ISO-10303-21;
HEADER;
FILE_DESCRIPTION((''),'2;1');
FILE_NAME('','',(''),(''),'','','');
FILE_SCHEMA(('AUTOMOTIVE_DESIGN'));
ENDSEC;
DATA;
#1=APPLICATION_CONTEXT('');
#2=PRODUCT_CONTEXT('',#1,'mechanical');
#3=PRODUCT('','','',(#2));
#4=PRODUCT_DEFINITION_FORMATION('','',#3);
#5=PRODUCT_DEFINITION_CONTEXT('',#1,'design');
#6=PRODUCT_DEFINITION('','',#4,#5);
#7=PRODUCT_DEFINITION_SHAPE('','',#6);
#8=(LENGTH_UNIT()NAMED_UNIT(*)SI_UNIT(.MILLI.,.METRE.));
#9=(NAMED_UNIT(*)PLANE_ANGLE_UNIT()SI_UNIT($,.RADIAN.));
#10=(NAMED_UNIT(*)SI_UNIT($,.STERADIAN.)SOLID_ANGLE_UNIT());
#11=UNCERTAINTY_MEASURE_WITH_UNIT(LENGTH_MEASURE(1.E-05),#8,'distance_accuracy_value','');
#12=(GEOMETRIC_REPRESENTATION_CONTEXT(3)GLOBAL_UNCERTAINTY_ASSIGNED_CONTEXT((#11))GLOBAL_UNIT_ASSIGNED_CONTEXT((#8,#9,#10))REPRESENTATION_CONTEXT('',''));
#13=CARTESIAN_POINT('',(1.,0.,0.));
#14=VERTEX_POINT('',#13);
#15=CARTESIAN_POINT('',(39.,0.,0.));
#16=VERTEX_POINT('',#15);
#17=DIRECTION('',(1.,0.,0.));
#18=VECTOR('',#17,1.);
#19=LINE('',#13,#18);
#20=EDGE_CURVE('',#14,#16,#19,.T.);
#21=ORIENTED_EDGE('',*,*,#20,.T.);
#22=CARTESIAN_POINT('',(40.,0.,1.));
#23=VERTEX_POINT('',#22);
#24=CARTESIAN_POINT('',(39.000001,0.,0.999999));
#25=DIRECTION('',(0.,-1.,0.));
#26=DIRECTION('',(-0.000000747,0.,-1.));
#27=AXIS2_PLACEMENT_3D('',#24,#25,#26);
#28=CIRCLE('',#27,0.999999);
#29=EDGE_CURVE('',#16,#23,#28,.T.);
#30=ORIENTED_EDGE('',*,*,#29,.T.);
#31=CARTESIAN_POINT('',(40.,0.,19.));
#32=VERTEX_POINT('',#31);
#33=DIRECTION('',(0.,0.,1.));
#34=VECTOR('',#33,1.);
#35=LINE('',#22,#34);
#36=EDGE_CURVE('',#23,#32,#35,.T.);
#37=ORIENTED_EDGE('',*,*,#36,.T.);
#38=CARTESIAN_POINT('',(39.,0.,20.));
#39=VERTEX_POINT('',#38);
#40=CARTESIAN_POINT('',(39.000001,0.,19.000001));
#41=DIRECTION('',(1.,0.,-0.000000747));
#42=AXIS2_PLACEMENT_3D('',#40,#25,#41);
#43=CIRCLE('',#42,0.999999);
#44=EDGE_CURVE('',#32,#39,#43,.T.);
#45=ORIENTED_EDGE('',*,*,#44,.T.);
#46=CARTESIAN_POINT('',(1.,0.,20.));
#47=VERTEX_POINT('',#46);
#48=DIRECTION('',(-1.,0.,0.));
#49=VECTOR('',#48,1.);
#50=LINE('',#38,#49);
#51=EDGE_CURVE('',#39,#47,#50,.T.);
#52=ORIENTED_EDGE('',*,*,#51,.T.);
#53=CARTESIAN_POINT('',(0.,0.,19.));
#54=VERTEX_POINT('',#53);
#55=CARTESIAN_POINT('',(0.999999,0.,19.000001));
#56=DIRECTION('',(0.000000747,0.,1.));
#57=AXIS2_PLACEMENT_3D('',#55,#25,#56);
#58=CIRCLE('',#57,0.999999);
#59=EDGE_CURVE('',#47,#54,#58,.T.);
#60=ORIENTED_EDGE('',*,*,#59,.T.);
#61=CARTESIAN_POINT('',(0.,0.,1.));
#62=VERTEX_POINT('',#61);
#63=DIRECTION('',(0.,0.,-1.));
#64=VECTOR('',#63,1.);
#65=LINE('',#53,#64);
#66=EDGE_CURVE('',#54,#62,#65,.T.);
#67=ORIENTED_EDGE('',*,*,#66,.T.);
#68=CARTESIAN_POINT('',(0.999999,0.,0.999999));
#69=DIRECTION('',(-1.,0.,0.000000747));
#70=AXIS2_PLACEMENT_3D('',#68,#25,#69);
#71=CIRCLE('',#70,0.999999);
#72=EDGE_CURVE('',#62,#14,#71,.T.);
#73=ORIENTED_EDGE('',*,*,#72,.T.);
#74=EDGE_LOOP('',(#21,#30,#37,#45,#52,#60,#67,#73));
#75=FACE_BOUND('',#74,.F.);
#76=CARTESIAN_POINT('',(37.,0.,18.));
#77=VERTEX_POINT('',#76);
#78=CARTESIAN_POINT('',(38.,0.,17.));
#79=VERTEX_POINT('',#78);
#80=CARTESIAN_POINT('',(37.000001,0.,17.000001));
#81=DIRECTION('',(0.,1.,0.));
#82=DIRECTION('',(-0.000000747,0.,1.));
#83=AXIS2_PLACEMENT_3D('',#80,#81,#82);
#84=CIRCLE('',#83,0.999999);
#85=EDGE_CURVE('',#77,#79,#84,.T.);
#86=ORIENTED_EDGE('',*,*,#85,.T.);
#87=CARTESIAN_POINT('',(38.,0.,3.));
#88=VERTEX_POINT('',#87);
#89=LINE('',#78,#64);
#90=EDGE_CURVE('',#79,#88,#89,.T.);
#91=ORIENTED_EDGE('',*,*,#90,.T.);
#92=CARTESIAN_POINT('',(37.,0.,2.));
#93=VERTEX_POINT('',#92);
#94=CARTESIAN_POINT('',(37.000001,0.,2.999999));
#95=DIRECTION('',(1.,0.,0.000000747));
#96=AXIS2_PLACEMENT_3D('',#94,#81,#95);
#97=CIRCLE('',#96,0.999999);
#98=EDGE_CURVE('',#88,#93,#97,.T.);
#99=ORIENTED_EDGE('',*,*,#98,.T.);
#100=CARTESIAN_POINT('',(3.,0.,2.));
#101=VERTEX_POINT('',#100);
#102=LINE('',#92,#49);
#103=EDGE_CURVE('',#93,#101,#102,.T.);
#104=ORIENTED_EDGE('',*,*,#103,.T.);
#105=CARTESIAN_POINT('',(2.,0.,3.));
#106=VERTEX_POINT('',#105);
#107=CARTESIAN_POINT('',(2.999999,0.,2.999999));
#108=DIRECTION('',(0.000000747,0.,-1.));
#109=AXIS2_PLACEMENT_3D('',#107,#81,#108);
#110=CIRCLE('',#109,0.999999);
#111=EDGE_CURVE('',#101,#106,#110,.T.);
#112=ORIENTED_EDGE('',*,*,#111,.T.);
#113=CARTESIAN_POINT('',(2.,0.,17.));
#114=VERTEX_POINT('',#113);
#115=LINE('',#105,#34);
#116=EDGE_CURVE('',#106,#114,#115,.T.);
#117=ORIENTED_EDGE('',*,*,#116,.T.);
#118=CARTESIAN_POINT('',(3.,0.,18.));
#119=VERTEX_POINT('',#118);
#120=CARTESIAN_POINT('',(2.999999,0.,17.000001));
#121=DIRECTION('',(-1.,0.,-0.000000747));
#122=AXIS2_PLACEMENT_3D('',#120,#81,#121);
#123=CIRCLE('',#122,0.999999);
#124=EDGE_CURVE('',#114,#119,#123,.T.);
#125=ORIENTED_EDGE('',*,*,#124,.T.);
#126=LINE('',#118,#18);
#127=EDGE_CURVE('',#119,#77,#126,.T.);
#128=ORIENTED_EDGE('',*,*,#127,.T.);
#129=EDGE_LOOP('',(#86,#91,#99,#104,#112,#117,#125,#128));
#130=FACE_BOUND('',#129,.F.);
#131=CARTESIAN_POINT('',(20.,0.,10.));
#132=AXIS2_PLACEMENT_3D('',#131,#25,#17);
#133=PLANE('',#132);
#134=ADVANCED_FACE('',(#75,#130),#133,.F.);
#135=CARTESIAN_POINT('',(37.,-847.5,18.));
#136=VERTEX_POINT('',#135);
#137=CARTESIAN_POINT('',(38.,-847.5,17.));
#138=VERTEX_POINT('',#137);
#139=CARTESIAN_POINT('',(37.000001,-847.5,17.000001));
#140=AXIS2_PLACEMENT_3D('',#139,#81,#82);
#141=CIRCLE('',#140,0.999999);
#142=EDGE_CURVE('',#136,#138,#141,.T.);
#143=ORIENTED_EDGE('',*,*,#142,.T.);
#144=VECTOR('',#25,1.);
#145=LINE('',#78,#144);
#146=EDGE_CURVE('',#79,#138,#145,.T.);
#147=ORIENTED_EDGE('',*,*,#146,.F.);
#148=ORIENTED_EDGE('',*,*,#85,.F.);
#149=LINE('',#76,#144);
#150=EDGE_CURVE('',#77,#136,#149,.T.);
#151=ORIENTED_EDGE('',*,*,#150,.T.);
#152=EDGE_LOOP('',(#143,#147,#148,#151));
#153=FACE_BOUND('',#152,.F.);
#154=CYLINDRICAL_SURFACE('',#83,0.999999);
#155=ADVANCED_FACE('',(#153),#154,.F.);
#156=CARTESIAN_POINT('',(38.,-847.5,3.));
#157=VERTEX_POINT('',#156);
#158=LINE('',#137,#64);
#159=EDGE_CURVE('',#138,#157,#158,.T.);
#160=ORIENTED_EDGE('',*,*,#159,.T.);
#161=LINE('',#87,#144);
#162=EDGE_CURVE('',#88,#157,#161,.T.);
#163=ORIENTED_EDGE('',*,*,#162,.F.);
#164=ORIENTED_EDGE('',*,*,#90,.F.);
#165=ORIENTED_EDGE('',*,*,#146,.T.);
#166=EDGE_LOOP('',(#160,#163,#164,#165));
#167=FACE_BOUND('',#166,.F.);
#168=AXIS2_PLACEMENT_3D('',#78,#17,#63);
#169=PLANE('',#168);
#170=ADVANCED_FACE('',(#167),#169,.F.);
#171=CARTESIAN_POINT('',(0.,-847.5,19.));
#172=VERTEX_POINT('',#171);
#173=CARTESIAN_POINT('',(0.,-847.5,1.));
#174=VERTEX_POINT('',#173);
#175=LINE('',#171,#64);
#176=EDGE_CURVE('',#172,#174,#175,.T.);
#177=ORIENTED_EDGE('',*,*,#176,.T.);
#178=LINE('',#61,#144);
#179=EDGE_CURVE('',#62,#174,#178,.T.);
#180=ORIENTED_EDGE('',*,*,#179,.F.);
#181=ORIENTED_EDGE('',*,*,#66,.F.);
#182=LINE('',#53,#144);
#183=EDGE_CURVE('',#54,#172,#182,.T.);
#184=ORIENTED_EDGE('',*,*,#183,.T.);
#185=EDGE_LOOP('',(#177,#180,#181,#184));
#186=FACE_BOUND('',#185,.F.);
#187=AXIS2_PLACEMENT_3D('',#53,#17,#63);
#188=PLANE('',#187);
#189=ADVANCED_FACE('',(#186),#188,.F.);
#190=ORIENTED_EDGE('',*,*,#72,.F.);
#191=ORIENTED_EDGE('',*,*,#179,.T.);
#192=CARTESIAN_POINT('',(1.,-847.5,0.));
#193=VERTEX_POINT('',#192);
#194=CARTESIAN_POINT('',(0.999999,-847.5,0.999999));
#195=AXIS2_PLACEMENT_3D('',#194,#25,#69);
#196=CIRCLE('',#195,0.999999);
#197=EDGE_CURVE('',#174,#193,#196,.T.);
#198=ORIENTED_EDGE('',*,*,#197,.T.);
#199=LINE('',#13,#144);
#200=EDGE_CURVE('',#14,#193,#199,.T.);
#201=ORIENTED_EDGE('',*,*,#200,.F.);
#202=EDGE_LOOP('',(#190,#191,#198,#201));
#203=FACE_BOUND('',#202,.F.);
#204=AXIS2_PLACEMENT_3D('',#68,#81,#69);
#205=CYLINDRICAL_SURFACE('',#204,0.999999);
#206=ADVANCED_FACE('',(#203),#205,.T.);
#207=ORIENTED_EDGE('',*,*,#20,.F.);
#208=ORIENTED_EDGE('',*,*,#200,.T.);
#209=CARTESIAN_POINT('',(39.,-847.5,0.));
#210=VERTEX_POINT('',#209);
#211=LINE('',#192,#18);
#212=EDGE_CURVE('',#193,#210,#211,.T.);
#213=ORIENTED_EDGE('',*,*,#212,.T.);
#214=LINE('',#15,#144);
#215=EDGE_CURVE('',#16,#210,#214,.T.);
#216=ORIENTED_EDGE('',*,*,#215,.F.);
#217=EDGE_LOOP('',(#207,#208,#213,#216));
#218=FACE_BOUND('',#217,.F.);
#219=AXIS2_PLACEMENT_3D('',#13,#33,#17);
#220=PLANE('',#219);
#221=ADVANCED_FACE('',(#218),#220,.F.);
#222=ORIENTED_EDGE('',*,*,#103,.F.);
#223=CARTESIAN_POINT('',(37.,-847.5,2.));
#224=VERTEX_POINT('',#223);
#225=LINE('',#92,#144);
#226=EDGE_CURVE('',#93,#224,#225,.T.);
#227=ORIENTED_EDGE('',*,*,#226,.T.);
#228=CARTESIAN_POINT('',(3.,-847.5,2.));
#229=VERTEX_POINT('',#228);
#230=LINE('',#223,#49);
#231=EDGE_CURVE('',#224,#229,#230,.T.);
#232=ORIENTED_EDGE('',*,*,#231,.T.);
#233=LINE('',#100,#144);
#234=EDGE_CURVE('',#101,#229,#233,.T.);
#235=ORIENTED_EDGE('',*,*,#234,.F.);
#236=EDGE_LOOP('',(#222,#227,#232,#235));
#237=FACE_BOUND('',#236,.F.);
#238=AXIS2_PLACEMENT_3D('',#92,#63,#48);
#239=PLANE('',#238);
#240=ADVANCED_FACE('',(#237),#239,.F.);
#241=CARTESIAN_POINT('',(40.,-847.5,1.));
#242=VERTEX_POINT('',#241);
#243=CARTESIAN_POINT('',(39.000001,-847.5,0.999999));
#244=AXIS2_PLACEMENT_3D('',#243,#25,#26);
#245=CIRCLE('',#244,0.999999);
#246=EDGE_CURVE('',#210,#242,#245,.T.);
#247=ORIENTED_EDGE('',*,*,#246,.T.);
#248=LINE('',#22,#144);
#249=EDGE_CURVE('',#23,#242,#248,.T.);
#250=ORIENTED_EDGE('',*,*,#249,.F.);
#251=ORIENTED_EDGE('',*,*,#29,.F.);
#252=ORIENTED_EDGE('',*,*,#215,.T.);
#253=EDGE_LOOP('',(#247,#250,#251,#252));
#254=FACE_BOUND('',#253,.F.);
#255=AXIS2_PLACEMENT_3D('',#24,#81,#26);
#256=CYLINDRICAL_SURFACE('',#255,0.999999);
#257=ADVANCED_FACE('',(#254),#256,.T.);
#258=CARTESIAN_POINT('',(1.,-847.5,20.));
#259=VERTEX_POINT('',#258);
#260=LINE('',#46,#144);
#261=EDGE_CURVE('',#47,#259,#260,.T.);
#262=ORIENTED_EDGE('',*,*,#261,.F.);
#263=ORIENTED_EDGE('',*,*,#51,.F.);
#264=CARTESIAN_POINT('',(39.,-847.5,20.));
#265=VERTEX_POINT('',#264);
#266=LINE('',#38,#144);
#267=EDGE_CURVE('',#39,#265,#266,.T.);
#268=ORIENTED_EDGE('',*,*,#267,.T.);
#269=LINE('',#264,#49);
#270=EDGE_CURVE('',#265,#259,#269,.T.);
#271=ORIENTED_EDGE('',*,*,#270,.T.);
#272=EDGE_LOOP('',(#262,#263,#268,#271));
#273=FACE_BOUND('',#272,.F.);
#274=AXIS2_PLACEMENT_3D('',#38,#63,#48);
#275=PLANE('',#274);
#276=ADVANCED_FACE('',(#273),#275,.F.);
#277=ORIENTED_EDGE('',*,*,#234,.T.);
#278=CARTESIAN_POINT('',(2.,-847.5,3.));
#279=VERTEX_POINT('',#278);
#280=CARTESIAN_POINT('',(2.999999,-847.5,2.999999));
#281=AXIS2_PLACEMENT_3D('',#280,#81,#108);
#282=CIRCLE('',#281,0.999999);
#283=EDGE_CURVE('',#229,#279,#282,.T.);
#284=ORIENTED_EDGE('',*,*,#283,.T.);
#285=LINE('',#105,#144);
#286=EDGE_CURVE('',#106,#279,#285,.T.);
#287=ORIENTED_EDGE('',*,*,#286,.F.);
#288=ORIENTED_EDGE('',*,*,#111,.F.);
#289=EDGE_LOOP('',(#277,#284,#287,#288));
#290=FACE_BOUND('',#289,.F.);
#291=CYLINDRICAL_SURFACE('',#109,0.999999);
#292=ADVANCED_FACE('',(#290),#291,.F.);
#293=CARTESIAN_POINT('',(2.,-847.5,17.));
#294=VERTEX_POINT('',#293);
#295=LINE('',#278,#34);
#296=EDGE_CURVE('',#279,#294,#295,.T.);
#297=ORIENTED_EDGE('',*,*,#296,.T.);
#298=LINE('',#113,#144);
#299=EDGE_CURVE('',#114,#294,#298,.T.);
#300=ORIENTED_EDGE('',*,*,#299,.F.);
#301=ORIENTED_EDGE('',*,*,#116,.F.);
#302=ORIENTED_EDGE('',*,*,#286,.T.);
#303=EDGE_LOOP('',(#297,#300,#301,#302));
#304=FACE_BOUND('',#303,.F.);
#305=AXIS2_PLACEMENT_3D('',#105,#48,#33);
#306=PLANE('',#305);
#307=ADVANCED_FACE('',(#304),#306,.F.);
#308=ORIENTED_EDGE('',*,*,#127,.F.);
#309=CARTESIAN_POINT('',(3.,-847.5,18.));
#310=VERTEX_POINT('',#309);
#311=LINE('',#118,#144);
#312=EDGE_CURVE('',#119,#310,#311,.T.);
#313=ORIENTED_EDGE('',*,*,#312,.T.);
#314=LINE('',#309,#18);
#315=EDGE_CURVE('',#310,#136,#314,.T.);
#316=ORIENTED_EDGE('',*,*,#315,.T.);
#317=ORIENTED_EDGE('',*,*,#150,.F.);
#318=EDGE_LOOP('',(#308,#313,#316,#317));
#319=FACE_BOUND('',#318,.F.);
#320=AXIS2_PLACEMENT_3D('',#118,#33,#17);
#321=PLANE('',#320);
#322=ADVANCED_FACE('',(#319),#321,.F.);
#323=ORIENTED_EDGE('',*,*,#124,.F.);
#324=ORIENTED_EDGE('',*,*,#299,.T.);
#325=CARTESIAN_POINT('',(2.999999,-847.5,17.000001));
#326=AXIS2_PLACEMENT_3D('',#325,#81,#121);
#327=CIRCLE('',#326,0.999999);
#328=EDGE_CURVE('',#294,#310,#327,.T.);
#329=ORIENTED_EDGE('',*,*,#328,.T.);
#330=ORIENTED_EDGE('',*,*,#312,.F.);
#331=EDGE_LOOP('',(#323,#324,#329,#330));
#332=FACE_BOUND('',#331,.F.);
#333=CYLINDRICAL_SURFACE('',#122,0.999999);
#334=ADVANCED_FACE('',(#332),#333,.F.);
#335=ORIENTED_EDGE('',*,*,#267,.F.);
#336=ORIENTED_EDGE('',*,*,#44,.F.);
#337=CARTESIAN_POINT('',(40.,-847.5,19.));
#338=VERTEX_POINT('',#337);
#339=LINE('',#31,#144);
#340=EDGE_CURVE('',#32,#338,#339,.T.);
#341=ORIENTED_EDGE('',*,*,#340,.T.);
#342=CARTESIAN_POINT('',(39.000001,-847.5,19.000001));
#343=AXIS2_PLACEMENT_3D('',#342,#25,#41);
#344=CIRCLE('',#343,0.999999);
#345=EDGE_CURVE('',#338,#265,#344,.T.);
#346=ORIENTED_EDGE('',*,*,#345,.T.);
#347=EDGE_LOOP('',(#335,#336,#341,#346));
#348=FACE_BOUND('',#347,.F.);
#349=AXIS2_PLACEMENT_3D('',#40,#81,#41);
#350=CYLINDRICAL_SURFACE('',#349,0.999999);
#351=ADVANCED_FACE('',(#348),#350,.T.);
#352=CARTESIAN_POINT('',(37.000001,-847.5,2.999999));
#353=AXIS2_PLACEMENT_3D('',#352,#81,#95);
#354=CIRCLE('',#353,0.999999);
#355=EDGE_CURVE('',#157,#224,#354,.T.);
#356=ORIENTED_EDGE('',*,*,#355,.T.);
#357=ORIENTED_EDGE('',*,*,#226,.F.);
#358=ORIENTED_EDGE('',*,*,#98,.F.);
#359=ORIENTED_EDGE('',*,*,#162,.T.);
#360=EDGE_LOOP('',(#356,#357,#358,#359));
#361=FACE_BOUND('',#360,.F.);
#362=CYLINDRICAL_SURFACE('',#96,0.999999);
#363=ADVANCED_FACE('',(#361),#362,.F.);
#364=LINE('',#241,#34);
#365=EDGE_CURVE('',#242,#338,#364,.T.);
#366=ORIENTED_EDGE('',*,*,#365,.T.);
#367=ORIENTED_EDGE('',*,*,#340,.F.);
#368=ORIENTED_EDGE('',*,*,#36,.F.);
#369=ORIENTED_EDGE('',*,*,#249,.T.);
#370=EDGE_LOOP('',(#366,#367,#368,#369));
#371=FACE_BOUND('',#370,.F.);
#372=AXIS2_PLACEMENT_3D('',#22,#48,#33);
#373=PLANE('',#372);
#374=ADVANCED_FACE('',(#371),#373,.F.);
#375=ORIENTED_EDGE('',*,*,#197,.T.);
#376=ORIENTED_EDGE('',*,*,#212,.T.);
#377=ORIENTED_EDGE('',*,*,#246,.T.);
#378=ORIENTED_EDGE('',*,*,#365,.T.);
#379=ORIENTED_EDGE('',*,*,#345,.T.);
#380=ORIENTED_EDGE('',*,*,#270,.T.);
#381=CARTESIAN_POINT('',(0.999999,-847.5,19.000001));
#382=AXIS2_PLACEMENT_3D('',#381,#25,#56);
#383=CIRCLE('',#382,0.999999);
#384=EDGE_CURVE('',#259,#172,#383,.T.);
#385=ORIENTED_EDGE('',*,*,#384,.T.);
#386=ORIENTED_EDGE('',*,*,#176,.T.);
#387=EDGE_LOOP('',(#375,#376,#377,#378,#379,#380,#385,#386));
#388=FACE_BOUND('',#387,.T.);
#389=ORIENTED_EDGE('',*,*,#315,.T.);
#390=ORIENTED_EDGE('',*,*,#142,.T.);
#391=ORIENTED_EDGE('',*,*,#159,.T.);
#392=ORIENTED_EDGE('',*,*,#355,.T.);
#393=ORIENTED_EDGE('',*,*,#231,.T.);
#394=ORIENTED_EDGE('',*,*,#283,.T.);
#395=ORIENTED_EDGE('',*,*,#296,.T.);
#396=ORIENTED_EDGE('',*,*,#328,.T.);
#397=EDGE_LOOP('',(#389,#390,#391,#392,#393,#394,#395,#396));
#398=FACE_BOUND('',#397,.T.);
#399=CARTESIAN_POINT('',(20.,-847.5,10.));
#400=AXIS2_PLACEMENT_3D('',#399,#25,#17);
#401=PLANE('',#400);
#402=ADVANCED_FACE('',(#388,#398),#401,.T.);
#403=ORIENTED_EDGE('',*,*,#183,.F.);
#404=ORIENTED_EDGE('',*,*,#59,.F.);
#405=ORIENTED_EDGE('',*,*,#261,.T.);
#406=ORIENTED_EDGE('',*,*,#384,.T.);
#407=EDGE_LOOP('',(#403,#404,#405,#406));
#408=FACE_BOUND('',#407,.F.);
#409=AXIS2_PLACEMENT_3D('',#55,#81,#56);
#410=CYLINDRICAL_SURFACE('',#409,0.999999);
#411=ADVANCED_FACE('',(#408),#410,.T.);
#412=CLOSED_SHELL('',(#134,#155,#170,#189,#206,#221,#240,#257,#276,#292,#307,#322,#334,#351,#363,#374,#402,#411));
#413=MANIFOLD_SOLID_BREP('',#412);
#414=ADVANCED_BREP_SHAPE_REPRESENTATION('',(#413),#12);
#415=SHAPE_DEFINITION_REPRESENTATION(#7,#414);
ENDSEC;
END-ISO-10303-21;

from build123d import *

# Parameters (mm, degrees)
F1_DEPTH = 847.5


with BuildPart() as f1:
    # F0 (on Front) → F1 (new body)
    with BuildSketch(Plane.XZ):
        with BuildLine():
            ThreePointArc((0, 1), (0.292893, 0.292893), (1, 0))
            Line((1, 0), (39, 0))
            ThreePointArc((39, 0), (39.707107, 0.292893), (40, 1))
            Line((40, 1), (40, 19))
            ThreePointArc((40, 19), (39.707107, 19.707107), (39, 20))
            Line((39, 20), (1, 20))
            ThreePointArc((1, 20), (0.292893, 19.707107), (0, 19))
            Line((0, 19), (0, 1))
        make_face()
        with BuildLine():
            Line((37, 2), (3, 2))
            ThreePointArc((3, 2), (2.292893, 2.292893), (2, 3))
            Line((2, 3), (2, 17))
            ThreePointArc((2, 17), (2.292893, 17.707107), (3, 18))
            Line((3, 18), (37, 18))
            ThreePointArc((37, 18), (37.707107, 17.707107), (38, 17))
            Line((38, 17), (38, 3))
            ThreePointArc((38, 3), (37.707107, 2.292893), (37, 2))
        make_face(mode=Mode.SUBTRACT)
    extrude(amount=F1_DEPTH)


solid = f1.part
